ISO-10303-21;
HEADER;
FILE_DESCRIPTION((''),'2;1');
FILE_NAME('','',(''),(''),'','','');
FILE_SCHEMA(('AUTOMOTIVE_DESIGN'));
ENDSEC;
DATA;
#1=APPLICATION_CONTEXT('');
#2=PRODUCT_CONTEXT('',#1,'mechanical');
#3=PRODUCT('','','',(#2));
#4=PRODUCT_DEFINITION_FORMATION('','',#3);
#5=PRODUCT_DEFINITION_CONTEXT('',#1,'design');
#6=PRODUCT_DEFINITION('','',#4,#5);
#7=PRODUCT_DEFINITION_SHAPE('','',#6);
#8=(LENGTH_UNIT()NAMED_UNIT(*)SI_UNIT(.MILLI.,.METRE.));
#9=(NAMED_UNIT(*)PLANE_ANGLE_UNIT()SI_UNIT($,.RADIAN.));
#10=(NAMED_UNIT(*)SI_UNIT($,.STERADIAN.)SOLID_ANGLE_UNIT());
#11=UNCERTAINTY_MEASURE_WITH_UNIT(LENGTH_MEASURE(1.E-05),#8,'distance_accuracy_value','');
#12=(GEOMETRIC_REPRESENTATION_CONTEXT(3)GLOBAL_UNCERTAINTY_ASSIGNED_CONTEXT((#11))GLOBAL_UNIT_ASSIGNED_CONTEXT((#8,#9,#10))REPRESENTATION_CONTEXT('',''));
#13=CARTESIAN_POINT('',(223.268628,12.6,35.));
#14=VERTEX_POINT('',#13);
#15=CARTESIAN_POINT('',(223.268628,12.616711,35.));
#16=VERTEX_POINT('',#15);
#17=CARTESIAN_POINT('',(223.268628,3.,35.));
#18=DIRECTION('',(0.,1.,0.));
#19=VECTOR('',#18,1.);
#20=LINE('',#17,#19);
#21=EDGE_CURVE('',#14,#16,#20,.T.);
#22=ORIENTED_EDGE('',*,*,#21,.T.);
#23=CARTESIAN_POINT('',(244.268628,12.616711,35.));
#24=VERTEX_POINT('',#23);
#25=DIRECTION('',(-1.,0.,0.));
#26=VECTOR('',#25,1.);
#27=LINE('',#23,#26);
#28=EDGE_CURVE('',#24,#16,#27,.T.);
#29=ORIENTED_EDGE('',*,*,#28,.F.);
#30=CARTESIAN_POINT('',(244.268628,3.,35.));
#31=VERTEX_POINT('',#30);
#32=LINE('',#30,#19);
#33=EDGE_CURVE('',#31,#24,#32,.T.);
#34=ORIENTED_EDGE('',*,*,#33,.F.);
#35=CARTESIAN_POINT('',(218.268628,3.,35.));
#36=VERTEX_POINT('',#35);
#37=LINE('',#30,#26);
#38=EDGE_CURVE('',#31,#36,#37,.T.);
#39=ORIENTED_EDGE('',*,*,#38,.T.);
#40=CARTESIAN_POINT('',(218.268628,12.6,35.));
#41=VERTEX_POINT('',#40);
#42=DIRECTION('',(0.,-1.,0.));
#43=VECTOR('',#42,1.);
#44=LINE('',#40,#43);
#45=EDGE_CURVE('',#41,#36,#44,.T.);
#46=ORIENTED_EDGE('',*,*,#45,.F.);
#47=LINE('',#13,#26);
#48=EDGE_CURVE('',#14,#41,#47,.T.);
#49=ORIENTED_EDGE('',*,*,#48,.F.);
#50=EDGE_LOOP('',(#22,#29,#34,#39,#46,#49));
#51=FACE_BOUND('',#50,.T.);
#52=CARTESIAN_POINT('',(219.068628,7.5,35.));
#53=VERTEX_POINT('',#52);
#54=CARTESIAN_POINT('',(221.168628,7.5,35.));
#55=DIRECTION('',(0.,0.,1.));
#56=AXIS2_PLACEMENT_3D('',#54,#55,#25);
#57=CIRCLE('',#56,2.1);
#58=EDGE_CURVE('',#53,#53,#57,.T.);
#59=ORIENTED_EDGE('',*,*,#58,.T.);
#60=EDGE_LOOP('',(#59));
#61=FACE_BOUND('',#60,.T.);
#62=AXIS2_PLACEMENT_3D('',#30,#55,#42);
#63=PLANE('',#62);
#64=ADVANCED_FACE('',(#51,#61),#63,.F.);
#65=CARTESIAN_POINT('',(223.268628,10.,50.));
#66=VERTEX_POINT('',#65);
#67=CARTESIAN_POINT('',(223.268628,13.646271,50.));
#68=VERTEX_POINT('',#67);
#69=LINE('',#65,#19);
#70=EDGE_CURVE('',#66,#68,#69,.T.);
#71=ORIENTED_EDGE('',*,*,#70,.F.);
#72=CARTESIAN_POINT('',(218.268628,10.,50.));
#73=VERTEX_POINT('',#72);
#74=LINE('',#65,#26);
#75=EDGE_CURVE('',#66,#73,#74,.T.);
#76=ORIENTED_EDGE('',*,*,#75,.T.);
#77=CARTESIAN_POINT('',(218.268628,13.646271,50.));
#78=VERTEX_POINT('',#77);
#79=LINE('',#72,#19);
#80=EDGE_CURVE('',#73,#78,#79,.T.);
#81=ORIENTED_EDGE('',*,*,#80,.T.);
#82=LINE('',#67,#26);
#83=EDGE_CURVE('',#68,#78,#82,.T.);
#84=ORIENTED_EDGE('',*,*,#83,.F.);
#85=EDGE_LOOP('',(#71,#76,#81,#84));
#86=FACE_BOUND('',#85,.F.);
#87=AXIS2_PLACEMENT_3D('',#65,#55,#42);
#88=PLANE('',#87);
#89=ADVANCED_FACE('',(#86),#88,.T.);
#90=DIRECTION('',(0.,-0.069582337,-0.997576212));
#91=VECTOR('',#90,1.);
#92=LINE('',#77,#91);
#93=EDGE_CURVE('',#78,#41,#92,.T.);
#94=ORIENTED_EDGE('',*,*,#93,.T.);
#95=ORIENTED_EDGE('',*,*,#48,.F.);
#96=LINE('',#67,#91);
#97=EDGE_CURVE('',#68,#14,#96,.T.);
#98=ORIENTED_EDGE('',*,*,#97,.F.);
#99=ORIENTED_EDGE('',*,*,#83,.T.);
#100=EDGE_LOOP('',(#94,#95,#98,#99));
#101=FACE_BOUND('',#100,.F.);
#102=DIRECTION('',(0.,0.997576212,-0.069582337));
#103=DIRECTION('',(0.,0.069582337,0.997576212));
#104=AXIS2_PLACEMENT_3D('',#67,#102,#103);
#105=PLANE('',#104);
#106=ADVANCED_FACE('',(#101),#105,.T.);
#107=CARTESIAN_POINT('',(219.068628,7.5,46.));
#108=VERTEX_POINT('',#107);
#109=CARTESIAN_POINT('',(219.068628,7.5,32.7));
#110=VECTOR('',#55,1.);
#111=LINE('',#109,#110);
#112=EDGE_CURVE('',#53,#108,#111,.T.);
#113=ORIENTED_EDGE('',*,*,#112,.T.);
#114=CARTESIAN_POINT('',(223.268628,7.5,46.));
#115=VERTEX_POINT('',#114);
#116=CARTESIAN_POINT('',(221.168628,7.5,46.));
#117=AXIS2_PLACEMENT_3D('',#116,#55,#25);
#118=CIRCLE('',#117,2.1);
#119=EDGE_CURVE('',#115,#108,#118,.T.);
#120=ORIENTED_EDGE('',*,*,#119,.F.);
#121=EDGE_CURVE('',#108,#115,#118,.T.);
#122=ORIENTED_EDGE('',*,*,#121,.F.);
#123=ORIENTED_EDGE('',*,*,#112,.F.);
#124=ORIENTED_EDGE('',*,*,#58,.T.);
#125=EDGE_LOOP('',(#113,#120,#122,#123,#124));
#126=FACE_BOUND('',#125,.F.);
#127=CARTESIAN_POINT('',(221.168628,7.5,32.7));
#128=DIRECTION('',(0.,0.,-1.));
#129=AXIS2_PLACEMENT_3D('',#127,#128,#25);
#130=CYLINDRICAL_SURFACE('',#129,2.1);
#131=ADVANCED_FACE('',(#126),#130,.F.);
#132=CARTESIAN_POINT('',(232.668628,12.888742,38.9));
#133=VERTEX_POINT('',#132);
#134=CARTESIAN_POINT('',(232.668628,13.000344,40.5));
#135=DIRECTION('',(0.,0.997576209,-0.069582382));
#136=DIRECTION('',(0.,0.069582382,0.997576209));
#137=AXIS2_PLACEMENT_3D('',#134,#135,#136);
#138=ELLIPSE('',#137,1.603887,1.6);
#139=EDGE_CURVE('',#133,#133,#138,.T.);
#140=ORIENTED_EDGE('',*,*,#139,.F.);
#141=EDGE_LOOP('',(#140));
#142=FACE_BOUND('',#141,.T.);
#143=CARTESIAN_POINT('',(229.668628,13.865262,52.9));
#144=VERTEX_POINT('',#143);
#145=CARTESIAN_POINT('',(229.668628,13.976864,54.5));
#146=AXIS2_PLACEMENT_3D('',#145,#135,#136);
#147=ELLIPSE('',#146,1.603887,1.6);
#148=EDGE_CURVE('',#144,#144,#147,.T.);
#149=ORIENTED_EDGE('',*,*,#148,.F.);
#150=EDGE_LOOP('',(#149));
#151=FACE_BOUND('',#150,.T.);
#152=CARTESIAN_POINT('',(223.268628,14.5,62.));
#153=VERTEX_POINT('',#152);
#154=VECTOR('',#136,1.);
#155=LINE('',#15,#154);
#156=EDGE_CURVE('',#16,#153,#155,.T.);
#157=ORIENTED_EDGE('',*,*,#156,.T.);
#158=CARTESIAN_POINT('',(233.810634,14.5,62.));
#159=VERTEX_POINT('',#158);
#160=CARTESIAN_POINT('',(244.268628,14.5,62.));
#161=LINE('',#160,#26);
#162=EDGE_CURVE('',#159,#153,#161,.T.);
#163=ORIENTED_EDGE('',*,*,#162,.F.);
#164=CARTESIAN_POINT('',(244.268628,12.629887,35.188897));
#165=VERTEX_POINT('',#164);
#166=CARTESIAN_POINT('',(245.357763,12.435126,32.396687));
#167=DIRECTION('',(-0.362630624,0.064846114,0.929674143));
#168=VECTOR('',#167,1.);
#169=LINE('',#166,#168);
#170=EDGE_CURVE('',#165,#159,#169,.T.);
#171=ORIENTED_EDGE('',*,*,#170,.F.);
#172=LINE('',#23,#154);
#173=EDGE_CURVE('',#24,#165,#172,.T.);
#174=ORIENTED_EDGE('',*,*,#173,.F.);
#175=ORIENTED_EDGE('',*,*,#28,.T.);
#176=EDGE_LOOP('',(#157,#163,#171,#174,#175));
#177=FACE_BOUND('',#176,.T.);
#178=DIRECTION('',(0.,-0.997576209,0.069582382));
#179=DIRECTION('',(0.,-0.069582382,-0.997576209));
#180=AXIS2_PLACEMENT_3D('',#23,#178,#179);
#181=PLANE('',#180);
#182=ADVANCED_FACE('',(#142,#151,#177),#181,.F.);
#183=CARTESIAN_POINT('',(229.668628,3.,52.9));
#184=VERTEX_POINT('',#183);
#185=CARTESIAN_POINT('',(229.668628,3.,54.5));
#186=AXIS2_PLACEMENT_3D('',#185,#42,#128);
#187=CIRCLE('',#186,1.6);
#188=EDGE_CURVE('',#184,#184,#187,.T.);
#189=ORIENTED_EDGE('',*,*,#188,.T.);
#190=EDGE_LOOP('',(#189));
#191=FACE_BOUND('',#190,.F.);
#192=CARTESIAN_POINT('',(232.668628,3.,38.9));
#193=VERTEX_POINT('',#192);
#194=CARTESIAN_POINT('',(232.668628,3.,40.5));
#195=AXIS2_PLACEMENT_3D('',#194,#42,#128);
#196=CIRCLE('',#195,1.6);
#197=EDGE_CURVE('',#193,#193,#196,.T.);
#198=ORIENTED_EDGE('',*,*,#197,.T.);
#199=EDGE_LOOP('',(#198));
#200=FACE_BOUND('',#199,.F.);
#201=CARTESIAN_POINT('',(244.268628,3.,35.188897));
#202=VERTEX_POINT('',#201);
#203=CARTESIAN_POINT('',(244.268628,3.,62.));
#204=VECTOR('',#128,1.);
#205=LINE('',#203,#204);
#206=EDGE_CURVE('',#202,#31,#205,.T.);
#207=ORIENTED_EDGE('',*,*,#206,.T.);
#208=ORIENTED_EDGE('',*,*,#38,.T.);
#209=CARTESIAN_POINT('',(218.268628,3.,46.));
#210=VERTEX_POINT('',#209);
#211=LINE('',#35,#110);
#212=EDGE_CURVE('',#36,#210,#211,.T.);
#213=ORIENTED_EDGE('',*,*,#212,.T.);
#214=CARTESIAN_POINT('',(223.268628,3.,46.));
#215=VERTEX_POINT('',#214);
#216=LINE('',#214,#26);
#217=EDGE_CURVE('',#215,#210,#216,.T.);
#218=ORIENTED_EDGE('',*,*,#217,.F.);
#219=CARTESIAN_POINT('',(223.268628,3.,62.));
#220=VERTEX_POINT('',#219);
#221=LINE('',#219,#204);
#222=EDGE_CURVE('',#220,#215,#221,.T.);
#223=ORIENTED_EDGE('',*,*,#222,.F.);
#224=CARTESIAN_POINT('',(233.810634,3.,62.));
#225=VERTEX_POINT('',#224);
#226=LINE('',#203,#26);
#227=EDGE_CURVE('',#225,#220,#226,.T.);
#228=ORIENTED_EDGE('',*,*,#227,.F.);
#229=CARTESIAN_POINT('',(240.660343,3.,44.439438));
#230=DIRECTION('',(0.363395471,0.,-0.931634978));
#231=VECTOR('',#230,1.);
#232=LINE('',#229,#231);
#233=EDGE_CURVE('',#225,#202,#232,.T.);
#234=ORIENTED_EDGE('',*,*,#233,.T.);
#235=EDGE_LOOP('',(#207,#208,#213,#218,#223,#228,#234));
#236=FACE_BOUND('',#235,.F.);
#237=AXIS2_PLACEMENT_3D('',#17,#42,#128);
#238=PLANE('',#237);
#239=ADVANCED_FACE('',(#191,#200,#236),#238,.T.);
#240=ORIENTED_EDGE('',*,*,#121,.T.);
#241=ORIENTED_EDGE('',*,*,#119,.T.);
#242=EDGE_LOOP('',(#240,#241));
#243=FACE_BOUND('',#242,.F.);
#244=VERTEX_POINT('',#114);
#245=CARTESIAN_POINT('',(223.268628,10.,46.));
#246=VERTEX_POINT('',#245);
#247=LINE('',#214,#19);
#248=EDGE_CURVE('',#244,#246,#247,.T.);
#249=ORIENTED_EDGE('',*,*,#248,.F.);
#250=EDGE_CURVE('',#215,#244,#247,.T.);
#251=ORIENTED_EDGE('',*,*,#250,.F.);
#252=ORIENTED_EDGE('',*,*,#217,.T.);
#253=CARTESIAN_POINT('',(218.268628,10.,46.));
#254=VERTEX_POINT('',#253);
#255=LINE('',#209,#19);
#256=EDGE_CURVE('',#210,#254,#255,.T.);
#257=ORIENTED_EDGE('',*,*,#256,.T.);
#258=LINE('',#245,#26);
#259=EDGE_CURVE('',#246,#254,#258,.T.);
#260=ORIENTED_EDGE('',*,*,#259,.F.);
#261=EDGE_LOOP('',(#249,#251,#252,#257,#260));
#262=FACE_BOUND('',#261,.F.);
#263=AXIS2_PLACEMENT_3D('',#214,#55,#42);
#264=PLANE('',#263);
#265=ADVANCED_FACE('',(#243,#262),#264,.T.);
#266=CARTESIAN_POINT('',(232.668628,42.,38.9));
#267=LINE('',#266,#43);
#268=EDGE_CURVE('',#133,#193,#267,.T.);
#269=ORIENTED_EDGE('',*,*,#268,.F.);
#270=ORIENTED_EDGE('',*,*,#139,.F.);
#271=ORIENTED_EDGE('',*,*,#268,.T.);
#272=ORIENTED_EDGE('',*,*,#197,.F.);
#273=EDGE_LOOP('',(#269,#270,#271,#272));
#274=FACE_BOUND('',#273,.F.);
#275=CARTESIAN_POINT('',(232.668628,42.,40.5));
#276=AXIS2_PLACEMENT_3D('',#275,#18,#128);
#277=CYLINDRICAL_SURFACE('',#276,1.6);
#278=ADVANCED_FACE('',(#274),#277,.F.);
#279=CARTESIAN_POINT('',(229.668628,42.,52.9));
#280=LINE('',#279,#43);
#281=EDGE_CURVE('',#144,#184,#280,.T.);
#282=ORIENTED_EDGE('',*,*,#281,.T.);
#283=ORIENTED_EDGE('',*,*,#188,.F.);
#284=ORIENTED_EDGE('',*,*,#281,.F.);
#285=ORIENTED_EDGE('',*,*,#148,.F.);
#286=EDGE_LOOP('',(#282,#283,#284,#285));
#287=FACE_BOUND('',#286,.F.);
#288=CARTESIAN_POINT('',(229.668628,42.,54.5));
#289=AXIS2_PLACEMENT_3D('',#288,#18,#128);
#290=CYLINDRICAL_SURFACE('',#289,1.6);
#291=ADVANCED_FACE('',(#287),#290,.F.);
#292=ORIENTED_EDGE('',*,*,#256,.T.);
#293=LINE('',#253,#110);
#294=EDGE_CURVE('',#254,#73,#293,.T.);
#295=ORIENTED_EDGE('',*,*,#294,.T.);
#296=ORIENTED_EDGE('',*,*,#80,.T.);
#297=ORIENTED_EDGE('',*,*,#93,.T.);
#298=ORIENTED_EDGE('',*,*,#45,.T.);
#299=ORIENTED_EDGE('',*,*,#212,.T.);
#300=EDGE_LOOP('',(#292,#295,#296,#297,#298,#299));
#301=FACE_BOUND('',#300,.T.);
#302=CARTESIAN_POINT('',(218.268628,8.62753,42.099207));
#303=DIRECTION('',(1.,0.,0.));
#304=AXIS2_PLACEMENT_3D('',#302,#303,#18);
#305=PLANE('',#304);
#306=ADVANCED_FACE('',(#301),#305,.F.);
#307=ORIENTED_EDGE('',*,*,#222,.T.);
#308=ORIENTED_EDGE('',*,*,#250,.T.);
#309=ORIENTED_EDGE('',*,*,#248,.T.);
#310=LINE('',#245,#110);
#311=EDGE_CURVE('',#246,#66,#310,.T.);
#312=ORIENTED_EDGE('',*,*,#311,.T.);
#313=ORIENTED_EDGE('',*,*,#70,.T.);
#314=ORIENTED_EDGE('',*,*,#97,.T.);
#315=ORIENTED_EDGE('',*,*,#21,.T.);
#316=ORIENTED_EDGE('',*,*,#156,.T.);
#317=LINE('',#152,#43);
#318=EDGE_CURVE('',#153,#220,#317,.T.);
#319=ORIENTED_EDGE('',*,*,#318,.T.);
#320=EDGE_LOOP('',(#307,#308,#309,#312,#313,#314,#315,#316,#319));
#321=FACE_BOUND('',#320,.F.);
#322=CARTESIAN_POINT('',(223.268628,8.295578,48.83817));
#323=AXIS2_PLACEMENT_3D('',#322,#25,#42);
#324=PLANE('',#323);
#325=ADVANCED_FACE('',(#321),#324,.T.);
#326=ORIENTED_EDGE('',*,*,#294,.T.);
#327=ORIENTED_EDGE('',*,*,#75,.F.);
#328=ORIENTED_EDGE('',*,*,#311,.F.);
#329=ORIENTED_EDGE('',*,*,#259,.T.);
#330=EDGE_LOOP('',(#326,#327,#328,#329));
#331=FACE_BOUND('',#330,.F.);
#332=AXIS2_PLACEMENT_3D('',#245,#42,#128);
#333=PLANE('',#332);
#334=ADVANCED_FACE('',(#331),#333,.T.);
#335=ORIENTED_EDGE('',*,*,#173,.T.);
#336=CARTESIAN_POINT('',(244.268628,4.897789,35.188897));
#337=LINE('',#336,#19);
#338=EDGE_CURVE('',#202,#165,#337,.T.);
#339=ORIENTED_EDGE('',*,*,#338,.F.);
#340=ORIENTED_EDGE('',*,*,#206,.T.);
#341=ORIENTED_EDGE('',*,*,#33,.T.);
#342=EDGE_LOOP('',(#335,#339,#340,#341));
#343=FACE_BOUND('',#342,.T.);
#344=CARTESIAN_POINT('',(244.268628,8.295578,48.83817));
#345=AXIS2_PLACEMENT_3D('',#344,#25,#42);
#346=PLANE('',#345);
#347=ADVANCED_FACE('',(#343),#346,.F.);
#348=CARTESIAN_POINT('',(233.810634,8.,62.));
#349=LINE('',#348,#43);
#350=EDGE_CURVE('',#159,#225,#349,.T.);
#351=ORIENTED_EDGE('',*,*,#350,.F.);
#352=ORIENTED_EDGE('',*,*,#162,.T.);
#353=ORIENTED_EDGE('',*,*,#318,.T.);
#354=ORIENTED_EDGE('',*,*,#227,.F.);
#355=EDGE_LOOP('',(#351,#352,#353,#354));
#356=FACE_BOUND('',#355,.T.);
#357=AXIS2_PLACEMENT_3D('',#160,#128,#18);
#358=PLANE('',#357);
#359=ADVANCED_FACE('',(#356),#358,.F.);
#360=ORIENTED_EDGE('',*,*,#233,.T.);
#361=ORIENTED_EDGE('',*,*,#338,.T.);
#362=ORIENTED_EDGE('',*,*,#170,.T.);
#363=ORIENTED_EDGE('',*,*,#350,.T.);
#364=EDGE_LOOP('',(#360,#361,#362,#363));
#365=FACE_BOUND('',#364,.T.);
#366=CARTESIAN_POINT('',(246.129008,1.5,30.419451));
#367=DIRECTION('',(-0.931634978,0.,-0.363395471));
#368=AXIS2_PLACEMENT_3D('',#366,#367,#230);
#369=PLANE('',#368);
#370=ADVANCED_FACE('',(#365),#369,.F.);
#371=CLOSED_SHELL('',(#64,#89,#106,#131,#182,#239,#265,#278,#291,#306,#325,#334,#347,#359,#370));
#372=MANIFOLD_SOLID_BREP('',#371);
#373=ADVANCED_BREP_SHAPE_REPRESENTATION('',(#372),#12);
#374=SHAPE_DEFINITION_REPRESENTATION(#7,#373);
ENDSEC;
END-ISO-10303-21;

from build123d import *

# Parameters (mm, degrees)
CYLINDER127_R     = 1.6
CYLINDER127_DEPTH = 40
CYLINDER124_R     = 1.6
CYLINDER124_DEPTH = 40
CYLINDER181_R     = 2.1
CYLINDER181_DEPTH = 19
EXTRUDE067_DEPTH  = 5
EXTRUDE050_DEPTH  = 15
EXTRUDE049_DEPTH  = 21


with BuildPart() as cylinder127:
    # Cylinder127 → Cylinder127 (new body)
    with BuildSketch(Plane(origin=(5.3, 42, 40.5), x_dir=(0, 0, -1), z_dir=(0, -1, 0))):
        Circle(CYLINDER127_R)
    extrude(amount=CYLINDER127_DEPTH)


with BuildPart() as cylinder124:
    # Cylinder124 → Cylinder124 (new body)
    with BuildSketch(Plane(origin=(8.3, 42, 54.5), x_dir=(0, 0, -1), z_dir=(0, -1, 0))):
        Circle(CYLINDER124_R)
    extrude(amount=CYLINDER124_DEPTH)


with BuildPart() as cylinder181:
    # Cylinder181 → Cylinder181 (new body)
    with BuildSketch(Plane(origin=(16.8, 7.5, 32.7), x_dir=(1, 0, 0), z_dir=(0, 0, 1))):
        Circle(CYLINDER181_R)
    extrude(amount=CYLINDER181_DEPTH)


with BuildPart() as cut213:
    # Sketch055 → Extrude067 (new body)
    with BuildSketch(Plane.YZ):
        Polygon((3, 46), (10, 46), (10, 50), (13.646271, 50), (12.6, 35), (3, 35), align=None)
    extrude(amount=EXTRUDE067_DEPTH)


with BuildPart() as cut213_1:
    # Extrude067 placement: moved
    add(cut213.part.moved(Location((14.7, 0, 0))))

    # Cut213: cut Cylinder181
    add(cylinder181.part, mode=Mode.SUBTRACT)


with BuildPart() as extrude050:
    # Sketch040 → Extrude050 (new body)
    with BuildSketch(Plane.XZ):
        Polygon((-8.16038, 62.64716), (-8.16038, 30.419451), (4.410427, 62.64716), align=None)
    extrude(amount=-EXTRUDE050_DEPTH)


with BuildPart() as extrude050_1:
    # Extrude050 placement: moved
    add(extrude050.part.moved(Location((0, 1.5, 0))))


with BuildPart() as cut215:
    # Sketch039 → Extrude049 (new body)
    with BuildSketch(Plane.YZ):
        Polygon((3, 62), (3, 35), (12.616711, 35), (14.5, 62), align=None)
    extrude(amount=EXTRUDE049_DEPTH)


with BuildPart() as cut215_1:
    # Extrude049 placement: moved
    add(cut215.part.moved(Location((-6.3, 0, 0))))

    # Cut212: cut Extrude050
    add(extrude050_1.part, mode=Mode.SUBTRACT)

    # Fusion101: union Cut213
    add(cut213_1.part)

    # Cut214: cut Cylinder124
    add(cylinder124.part, mode=Mode.SUBTRACT)

    # Cut215: cut Cylinder127
    add(cylinder127.part, mode=Mode.SUBTRACT)


with BuildPart() as part_mirroring:
    # Part__Mirroring: instance of Cut215
    add(cut215_1.part.mirror(Plane(origin=(118.984314, 8.749394, 41.218285), x_dir=(0, -1, 0), z_dir=(1, 0, 0))))


solid = part_mirroring.part
